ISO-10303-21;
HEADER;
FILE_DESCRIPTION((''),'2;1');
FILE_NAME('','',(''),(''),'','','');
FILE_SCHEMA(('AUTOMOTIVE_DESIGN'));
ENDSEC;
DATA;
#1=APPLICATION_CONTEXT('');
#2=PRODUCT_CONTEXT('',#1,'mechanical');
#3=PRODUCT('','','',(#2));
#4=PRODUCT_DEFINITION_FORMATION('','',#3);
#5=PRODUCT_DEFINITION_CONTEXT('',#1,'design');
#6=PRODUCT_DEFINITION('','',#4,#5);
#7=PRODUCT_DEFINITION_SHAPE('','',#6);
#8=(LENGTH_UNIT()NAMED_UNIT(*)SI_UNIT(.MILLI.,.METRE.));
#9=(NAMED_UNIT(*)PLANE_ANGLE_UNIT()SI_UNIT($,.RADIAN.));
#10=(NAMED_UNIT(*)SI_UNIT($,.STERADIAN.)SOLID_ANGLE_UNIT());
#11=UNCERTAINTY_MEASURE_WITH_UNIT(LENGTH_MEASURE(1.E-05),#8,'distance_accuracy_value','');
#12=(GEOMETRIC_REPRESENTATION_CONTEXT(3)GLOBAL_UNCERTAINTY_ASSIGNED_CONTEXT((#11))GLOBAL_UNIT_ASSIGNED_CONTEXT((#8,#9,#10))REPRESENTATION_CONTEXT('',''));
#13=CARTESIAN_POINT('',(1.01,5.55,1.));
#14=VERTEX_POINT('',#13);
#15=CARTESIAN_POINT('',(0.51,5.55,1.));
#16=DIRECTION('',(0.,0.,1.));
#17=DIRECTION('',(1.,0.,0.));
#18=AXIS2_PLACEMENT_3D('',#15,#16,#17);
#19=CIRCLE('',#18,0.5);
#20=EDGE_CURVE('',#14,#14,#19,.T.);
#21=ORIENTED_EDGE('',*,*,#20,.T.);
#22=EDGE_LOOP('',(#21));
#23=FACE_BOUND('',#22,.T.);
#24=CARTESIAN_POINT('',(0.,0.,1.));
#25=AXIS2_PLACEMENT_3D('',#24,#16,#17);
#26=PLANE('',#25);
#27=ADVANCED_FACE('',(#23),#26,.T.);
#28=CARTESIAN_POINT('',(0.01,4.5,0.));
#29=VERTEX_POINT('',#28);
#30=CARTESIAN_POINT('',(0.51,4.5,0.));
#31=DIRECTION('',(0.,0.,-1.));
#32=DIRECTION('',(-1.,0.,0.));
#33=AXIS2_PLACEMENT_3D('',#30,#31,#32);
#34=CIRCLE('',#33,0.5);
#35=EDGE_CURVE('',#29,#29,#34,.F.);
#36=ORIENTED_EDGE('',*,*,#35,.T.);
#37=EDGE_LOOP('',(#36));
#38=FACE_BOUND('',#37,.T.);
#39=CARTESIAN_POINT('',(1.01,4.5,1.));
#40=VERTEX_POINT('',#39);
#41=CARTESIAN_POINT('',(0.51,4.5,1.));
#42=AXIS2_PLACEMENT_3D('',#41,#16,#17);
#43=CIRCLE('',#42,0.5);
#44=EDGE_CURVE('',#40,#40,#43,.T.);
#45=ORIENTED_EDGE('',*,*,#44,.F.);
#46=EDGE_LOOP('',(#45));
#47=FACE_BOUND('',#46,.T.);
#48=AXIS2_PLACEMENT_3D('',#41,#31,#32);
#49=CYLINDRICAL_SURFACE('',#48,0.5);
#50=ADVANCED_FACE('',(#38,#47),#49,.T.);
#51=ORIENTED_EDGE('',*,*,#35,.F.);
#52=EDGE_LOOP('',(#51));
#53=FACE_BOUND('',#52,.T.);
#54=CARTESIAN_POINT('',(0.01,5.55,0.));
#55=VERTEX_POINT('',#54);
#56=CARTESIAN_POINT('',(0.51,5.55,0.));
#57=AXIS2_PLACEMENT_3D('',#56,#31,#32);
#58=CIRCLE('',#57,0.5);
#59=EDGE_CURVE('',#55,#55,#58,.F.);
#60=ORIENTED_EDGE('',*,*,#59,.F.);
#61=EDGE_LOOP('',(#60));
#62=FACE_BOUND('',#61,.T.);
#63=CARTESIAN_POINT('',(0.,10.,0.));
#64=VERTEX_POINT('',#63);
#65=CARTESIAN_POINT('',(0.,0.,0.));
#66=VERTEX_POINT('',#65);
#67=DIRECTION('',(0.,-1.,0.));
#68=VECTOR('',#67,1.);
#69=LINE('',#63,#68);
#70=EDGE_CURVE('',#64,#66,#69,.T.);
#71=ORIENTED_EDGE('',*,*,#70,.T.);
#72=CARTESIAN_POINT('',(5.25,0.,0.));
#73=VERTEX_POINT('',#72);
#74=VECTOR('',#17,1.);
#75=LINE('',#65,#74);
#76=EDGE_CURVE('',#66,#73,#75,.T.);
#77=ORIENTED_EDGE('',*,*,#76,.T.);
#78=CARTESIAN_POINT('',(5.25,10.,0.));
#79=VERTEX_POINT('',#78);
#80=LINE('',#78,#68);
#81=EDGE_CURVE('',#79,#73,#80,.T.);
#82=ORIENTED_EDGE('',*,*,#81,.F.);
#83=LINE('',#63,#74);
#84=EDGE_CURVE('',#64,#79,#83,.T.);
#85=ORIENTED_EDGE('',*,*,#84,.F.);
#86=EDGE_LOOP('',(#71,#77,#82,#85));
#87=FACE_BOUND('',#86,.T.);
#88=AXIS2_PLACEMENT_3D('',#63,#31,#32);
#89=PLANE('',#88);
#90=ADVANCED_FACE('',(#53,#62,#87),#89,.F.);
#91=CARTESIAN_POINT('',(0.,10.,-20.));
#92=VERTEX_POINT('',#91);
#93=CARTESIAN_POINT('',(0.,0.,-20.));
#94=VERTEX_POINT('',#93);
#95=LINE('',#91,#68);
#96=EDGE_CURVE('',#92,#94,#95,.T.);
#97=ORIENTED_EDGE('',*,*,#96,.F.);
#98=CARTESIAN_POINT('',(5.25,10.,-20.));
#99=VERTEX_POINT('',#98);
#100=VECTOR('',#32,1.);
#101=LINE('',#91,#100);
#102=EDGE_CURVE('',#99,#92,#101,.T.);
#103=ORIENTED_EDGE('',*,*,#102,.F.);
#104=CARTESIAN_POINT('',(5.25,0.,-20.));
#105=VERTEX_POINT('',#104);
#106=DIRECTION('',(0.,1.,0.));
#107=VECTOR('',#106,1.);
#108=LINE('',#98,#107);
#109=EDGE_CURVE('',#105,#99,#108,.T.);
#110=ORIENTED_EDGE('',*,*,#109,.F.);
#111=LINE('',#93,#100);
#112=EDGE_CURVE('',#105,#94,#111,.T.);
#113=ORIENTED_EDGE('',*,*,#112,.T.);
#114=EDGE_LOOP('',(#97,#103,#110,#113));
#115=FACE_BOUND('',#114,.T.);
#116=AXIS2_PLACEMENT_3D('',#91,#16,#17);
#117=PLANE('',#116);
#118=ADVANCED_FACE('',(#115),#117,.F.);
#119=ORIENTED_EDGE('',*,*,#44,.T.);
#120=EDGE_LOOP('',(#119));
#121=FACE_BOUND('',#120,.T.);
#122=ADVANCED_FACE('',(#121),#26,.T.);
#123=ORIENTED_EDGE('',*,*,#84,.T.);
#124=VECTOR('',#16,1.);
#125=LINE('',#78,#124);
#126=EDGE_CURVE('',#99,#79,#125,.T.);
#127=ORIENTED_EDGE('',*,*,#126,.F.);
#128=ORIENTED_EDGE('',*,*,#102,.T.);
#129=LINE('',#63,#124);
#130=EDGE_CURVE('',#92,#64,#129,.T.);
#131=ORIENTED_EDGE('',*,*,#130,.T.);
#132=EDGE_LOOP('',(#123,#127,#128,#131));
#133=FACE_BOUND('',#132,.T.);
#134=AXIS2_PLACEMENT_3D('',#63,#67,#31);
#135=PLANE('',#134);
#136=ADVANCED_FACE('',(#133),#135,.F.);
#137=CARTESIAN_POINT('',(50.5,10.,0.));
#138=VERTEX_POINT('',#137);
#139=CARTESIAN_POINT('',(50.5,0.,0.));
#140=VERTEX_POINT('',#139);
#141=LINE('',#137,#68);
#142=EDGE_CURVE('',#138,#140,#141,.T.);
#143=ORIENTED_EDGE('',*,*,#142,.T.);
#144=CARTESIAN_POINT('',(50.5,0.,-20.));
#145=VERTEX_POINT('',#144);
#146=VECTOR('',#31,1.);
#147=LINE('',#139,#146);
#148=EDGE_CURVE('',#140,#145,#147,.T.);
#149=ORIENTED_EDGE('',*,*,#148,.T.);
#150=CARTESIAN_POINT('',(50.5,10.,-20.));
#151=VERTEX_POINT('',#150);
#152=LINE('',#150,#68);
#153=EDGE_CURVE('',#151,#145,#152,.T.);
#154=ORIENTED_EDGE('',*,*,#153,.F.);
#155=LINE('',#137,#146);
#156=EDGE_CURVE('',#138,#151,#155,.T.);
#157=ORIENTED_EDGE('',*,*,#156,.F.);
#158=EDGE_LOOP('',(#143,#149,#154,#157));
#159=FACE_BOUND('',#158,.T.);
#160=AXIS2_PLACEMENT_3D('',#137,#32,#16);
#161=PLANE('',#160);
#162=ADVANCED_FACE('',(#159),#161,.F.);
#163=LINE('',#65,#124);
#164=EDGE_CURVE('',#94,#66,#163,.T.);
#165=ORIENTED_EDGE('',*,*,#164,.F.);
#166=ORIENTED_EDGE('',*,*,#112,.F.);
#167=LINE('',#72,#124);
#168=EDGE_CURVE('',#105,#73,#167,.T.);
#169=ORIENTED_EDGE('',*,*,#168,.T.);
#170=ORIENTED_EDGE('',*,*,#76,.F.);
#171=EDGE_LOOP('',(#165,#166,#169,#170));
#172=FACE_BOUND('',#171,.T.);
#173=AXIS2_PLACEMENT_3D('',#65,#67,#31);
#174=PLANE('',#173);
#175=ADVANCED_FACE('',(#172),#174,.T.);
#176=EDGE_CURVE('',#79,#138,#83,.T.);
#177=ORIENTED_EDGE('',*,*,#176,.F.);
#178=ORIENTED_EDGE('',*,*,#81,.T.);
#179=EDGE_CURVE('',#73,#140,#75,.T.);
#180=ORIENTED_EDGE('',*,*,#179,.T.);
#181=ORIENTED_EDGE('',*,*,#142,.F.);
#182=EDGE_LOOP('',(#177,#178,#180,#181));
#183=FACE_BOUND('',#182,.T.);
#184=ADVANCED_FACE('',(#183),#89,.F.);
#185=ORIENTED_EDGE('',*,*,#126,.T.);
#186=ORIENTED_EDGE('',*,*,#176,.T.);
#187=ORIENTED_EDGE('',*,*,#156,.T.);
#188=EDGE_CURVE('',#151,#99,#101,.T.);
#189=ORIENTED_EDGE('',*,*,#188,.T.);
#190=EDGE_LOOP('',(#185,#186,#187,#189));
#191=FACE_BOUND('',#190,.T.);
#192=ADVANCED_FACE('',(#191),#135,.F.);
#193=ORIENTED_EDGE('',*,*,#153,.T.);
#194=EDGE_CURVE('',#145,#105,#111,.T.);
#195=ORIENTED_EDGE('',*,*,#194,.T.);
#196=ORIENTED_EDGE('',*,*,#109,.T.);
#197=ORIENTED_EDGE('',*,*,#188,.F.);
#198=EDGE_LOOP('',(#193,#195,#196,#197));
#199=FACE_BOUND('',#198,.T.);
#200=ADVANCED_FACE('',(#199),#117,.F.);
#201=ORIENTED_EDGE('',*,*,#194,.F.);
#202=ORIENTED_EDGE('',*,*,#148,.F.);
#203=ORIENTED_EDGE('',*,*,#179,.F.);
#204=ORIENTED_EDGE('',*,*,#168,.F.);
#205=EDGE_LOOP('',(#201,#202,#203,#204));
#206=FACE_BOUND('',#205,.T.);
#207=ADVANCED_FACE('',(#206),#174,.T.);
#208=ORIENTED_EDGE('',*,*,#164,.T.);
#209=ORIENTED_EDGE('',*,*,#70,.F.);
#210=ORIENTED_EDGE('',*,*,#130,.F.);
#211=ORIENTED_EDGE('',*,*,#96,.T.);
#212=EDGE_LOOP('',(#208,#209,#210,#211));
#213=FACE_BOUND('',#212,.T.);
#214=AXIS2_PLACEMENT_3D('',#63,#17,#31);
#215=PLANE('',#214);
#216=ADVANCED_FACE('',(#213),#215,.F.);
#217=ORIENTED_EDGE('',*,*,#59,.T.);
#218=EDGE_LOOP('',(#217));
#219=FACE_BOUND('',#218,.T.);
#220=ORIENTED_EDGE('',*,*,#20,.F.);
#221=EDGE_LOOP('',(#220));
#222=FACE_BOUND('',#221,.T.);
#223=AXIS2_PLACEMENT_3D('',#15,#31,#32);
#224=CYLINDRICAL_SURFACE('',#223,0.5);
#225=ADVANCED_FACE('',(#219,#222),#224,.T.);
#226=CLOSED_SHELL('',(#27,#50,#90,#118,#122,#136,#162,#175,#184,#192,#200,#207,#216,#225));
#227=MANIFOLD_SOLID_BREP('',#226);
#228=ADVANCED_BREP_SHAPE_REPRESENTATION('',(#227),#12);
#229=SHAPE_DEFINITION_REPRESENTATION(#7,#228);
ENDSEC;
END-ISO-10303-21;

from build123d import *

# Parameters (mm, degrees)
SKETCH1_W           = 50.5
SKETCH1_H           = 20
BOSS_EXTRUDE1_DEPTH = 10
SKETCH3_R           = 0.5
BOSS_EXTRUDE7_DEPTH = 1


with BuildPart() as part:
    # Sketch1 → Boss-Extrude1 (new body)
    with BuildSketch(Plane(origin=(0, 0, 0), x_dir=(1, 0, 0), z_dir=(0, 1, 0))):
        with Locations((25.25, 10)):
            Rectangle(SKETCH1_W, SKETCH1_H)
    extrude(amount=BOSS_EXTRUDE1_DEPTH)

    # Sketch3 → Boss-Extrude7 (add)
    with BuildSketch(Plane.XY):
        with Locations(Location((0.51, 5.55, 0), (0, 0, 180))):
            Circle(SKETCH3_R)
        with Locations(Location((0.51, 4.5, 0), (0, 0, 180))):
            Circle(SKETCH3_R)
    extrude(amount=BOSS_EXTRUDE7_DEPTH)


solid = part.part
